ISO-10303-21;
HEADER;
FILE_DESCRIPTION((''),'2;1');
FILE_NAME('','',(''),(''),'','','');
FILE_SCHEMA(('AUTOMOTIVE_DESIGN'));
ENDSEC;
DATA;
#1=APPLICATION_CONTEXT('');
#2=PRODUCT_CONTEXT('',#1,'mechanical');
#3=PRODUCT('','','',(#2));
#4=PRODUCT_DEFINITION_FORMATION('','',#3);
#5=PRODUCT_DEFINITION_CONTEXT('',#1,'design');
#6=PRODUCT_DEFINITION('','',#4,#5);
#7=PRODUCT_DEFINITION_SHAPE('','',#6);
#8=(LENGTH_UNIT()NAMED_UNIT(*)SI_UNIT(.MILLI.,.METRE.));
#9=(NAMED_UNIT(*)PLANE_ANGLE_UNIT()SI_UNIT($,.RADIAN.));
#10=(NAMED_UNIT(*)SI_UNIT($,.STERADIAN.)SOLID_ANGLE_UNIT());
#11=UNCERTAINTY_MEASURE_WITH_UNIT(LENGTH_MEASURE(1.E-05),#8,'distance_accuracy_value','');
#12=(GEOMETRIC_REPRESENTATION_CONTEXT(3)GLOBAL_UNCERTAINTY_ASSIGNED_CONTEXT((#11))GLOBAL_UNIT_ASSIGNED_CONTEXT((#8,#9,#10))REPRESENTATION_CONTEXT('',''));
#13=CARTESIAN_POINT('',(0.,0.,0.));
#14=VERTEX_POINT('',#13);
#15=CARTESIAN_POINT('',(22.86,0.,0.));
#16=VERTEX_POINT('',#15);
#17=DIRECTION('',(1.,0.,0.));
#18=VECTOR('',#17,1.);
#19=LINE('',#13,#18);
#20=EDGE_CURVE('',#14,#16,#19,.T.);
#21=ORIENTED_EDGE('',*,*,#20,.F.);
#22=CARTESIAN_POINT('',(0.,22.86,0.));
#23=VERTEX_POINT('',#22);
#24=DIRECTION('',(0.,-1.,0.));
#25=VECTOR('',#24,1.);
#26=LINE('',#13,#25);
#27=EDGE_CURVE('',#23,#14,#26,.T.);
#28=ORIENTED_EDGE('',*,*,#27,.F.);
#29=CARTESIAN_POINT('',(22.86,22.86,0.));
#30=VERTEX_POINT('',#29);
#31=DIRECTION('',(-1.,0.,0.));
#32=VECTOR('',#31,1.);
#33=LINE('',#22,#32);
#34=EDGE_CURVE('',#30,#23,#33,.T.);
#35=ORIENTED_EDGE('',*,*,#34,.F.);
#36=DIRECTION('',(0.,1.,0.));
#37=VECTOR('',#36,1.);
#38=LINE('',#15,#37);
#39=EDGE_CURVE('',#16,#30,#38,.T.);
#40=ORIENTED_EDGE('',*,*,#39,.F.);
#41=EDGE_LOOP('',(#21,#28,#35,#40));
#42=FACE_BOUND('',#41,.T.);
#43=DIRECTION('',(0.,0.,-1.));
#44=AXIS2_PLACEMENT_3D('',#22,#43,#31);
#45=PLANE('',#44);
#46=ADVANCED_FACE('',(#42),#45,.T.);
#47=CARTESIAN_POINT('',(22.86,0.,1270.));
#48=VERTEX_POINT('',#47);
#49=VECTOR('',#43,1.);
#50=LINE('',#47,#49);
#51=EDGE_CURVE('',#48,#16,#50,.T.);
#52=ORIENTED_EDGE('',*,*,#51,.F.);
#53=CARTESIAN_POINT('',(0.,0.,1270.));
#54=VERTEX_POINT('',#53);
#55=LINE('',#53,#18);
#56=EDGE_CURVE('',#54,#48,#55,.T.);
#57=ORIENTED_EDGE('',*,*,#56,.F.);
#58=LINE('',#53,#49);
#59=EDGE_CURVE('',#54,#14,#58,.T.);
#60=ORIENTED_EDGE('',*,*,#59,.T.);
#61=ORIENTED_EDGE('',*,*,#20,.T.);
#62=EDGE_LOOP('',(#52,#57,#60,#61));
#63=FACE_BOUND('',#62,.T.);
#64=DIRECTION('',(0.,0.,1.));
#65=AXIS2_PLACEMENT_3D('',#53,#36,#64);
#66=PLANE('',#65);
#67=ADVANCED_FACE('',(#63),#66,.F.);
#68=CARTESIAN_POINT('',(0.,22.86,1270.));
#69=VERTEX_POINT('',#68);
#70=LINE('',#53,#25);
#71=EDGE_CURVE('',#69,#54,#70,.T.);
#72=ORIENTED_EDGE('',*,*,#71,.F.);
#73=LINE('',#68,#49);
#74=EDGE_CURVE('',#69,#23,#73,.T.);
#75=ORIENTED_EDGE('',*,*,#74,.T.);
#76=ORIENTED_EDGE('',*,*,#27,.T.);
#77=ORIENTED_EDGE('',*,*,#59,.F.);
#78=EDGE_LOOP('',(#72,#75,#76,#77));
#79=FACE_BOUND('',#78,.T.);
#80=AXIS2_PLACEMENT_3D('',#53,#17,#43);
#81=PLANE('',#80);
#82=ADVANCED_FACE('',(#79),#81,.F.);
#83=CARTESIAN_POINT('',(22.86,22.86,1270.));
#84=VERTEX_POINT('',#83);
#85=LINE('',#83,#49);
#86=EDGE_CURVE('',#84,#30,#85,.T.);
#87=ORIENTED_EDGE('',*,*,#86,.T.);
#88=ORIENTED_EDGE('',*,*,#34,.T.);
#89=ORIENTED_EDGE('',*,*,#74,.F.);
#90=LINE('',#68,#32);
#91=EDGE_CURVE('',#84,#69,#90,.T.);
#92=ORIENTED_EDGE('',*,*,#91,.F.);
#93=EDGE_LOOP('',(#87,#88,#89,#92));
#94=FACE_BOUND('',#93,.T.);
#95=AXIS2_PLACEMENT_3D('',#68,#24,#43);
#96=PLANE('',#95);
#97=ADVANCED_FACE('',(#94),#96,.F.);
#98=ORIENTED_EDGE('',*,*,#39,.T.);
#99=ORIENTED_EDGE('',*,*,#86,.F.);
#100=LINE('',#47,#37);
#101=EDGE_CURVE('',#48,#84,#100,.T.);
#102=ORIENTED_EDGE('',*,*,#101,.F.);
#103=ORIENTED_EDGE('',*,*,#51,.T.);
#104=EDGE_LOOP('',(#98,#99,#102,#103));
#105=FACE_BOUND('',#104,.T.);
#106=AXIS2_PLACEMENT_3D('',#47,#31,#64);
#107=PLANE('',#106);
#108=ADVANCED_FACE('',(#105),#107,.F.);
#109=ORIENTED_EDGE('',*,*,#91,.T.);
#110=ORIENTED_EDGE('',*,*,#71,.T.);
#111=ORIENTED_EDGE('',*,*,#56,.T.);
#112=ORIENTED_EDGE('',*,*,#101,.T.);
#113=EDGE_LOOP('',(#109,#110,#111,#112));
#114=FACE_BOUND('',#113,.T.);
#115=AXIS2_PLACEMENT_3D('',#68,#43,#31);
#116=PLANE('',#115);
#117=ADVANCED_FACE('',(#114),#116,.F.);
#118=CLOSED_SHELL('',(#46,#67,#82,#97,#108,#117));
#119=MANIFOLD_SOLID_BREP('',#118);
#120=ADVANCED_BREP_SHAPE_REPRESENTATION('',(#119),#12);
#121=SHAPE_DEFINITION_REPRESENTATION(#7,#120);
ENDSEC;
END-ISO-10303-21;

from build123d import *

# Parameters (mm, degrees)
SKETCH1_W      = 22.86
SKETCH1_H      = 22.86
EXTRUDE1_DEPTH = 1270


with BuildPart() as part:
    # Sketch1 → Extrude1 (new body)
    with BuildSketch(Plane.XY):
        with Locations((11.43, 11.43)):
            Rectangle(SKETCH1_W, SKETCH1_H)
    extrude(amount=EXTRUDE1_DEPTH)


solid = part.part
